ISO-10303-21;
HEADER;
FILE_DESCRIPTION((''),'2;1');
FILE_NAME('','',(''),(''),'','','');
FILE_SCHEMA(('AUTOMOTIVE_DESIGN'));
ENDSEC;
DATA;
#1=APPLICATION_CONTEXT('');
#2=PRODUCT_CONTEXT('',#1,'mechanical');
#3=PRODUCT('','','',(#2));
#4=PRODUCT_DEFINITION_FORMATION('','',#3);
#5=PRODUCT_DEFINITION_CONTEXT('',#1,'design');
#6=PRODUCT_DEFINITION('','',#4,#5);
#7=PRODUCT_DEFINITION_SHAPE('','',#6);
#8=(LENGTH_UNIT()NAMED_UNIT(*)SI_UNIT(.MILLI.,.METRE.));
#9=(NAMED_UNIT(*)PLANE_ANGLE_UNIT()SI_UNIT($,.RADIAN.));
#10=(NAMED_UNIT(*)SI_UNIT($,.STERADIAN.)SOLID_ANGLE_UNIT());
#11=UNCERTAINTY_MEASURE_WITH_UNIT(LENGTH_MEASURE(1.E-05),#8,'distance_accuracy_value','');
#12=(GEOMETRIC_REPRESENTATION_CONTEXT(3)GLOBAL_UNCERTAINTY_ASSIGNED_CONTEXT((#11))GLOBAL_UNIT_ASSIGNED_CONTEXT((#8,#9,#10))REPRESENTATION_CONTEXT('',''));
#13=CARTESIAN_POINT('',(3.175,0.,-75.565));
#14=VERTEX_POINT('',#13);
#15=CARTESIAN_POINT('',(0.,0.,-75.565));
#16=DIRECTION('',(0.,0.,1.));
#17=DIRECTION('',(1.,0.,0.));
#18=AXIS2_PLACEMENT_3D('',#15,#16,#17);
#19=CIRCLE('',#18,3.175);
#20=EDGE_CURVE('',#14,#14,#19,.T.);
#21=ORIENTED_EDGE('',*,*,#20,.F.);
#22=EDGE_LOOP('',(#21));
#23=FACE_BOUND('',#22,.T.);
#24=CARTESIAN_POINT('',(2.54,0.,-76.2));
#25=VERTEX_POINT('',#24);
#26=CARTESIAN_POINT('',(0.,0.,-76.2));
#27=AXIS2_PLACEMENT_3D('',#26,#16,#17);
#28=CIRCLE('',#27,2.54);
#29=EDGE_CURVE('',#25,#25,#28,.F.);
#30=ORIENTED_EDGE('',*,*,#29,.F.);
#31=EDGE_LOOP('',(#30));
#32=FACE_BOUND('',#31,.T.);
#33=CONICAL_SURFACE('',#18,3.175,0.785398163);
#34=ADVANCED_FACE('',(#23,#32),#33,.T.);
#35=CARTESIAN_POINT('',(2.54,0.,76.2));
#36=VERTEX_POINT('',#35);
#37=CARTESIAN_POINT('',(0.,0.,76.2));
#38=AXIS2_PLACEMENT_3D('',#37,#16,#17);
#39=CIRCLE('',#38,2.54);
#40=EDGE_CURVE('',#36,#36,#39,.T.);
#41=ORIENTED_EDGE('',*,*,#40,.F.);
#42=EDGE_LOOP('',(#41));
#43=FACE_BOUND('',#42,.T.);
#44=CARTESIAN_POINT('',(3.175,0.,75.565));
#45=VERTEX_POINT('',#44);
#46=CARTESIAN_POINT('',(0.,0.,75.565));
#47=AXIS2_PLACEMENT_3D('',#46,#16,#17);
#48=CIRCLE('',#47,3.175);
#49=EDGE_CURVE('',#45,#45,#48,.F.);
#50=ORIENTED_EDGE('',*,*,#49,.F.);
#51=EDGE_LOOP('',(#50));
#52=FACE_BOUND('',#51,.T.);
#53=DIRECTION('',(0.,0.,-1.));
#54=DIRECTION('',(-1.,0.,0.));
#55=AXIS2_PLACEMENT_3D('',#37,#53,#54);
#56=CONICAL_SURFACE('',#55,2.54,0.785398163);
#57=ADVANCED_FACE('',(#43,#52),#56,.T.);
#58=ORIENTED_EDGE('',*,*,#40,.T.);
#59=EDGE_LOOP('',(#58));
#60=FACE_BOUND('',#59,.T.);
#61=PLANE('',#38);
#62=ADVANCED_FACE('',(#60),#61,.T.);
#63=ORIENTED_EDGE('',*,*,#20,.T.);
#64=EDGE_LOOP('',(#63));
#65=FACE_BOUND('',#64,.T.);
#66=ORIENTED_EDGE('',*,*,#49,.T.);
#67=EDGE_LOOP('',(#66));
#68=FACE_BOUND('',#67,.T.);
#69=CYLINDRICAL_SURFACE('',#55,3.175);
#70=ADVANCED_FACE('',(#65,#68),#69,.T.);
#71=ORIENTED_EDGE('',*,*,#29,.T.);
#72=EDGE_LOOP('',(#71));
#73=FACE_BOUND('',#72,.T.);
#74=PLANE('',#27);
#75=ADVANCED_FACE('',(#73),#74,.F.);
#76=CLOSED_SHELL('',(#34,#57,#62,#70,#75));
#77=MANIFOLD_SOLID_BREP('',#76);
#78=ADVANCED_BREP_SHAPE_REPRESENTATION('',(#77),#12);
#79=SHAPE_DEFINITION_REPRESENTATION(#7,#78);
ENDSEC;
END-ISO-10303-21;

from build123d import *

# Parameters (mm, degrees)
SKETCH3_R           = 3.175
BOSS_EXTRUDE1_DEPTH = 76.2
CHAMFER1_SIZE       = 0.635


with BuildPart() as part:
    # Sketch3 → Boss-Extrude1 (new body, symmetric)
    with BuildSketch(Plane.XY):
        Circle(SKETCH3_R)
    extrude(amount=BOSS_EXTRUDE1_DEPTH, both=True)

    # Chamfer1
    chamfer1_edges = [part.edges().sort_by_distance(p)[0] for p in [
        (-3.175, 0, -76.2),
        (-3.175, 0, 76.2),
    ]]
    chamfer(chamfer1_edges, length=CHAMFER1_SIZE)


solid = part.part
